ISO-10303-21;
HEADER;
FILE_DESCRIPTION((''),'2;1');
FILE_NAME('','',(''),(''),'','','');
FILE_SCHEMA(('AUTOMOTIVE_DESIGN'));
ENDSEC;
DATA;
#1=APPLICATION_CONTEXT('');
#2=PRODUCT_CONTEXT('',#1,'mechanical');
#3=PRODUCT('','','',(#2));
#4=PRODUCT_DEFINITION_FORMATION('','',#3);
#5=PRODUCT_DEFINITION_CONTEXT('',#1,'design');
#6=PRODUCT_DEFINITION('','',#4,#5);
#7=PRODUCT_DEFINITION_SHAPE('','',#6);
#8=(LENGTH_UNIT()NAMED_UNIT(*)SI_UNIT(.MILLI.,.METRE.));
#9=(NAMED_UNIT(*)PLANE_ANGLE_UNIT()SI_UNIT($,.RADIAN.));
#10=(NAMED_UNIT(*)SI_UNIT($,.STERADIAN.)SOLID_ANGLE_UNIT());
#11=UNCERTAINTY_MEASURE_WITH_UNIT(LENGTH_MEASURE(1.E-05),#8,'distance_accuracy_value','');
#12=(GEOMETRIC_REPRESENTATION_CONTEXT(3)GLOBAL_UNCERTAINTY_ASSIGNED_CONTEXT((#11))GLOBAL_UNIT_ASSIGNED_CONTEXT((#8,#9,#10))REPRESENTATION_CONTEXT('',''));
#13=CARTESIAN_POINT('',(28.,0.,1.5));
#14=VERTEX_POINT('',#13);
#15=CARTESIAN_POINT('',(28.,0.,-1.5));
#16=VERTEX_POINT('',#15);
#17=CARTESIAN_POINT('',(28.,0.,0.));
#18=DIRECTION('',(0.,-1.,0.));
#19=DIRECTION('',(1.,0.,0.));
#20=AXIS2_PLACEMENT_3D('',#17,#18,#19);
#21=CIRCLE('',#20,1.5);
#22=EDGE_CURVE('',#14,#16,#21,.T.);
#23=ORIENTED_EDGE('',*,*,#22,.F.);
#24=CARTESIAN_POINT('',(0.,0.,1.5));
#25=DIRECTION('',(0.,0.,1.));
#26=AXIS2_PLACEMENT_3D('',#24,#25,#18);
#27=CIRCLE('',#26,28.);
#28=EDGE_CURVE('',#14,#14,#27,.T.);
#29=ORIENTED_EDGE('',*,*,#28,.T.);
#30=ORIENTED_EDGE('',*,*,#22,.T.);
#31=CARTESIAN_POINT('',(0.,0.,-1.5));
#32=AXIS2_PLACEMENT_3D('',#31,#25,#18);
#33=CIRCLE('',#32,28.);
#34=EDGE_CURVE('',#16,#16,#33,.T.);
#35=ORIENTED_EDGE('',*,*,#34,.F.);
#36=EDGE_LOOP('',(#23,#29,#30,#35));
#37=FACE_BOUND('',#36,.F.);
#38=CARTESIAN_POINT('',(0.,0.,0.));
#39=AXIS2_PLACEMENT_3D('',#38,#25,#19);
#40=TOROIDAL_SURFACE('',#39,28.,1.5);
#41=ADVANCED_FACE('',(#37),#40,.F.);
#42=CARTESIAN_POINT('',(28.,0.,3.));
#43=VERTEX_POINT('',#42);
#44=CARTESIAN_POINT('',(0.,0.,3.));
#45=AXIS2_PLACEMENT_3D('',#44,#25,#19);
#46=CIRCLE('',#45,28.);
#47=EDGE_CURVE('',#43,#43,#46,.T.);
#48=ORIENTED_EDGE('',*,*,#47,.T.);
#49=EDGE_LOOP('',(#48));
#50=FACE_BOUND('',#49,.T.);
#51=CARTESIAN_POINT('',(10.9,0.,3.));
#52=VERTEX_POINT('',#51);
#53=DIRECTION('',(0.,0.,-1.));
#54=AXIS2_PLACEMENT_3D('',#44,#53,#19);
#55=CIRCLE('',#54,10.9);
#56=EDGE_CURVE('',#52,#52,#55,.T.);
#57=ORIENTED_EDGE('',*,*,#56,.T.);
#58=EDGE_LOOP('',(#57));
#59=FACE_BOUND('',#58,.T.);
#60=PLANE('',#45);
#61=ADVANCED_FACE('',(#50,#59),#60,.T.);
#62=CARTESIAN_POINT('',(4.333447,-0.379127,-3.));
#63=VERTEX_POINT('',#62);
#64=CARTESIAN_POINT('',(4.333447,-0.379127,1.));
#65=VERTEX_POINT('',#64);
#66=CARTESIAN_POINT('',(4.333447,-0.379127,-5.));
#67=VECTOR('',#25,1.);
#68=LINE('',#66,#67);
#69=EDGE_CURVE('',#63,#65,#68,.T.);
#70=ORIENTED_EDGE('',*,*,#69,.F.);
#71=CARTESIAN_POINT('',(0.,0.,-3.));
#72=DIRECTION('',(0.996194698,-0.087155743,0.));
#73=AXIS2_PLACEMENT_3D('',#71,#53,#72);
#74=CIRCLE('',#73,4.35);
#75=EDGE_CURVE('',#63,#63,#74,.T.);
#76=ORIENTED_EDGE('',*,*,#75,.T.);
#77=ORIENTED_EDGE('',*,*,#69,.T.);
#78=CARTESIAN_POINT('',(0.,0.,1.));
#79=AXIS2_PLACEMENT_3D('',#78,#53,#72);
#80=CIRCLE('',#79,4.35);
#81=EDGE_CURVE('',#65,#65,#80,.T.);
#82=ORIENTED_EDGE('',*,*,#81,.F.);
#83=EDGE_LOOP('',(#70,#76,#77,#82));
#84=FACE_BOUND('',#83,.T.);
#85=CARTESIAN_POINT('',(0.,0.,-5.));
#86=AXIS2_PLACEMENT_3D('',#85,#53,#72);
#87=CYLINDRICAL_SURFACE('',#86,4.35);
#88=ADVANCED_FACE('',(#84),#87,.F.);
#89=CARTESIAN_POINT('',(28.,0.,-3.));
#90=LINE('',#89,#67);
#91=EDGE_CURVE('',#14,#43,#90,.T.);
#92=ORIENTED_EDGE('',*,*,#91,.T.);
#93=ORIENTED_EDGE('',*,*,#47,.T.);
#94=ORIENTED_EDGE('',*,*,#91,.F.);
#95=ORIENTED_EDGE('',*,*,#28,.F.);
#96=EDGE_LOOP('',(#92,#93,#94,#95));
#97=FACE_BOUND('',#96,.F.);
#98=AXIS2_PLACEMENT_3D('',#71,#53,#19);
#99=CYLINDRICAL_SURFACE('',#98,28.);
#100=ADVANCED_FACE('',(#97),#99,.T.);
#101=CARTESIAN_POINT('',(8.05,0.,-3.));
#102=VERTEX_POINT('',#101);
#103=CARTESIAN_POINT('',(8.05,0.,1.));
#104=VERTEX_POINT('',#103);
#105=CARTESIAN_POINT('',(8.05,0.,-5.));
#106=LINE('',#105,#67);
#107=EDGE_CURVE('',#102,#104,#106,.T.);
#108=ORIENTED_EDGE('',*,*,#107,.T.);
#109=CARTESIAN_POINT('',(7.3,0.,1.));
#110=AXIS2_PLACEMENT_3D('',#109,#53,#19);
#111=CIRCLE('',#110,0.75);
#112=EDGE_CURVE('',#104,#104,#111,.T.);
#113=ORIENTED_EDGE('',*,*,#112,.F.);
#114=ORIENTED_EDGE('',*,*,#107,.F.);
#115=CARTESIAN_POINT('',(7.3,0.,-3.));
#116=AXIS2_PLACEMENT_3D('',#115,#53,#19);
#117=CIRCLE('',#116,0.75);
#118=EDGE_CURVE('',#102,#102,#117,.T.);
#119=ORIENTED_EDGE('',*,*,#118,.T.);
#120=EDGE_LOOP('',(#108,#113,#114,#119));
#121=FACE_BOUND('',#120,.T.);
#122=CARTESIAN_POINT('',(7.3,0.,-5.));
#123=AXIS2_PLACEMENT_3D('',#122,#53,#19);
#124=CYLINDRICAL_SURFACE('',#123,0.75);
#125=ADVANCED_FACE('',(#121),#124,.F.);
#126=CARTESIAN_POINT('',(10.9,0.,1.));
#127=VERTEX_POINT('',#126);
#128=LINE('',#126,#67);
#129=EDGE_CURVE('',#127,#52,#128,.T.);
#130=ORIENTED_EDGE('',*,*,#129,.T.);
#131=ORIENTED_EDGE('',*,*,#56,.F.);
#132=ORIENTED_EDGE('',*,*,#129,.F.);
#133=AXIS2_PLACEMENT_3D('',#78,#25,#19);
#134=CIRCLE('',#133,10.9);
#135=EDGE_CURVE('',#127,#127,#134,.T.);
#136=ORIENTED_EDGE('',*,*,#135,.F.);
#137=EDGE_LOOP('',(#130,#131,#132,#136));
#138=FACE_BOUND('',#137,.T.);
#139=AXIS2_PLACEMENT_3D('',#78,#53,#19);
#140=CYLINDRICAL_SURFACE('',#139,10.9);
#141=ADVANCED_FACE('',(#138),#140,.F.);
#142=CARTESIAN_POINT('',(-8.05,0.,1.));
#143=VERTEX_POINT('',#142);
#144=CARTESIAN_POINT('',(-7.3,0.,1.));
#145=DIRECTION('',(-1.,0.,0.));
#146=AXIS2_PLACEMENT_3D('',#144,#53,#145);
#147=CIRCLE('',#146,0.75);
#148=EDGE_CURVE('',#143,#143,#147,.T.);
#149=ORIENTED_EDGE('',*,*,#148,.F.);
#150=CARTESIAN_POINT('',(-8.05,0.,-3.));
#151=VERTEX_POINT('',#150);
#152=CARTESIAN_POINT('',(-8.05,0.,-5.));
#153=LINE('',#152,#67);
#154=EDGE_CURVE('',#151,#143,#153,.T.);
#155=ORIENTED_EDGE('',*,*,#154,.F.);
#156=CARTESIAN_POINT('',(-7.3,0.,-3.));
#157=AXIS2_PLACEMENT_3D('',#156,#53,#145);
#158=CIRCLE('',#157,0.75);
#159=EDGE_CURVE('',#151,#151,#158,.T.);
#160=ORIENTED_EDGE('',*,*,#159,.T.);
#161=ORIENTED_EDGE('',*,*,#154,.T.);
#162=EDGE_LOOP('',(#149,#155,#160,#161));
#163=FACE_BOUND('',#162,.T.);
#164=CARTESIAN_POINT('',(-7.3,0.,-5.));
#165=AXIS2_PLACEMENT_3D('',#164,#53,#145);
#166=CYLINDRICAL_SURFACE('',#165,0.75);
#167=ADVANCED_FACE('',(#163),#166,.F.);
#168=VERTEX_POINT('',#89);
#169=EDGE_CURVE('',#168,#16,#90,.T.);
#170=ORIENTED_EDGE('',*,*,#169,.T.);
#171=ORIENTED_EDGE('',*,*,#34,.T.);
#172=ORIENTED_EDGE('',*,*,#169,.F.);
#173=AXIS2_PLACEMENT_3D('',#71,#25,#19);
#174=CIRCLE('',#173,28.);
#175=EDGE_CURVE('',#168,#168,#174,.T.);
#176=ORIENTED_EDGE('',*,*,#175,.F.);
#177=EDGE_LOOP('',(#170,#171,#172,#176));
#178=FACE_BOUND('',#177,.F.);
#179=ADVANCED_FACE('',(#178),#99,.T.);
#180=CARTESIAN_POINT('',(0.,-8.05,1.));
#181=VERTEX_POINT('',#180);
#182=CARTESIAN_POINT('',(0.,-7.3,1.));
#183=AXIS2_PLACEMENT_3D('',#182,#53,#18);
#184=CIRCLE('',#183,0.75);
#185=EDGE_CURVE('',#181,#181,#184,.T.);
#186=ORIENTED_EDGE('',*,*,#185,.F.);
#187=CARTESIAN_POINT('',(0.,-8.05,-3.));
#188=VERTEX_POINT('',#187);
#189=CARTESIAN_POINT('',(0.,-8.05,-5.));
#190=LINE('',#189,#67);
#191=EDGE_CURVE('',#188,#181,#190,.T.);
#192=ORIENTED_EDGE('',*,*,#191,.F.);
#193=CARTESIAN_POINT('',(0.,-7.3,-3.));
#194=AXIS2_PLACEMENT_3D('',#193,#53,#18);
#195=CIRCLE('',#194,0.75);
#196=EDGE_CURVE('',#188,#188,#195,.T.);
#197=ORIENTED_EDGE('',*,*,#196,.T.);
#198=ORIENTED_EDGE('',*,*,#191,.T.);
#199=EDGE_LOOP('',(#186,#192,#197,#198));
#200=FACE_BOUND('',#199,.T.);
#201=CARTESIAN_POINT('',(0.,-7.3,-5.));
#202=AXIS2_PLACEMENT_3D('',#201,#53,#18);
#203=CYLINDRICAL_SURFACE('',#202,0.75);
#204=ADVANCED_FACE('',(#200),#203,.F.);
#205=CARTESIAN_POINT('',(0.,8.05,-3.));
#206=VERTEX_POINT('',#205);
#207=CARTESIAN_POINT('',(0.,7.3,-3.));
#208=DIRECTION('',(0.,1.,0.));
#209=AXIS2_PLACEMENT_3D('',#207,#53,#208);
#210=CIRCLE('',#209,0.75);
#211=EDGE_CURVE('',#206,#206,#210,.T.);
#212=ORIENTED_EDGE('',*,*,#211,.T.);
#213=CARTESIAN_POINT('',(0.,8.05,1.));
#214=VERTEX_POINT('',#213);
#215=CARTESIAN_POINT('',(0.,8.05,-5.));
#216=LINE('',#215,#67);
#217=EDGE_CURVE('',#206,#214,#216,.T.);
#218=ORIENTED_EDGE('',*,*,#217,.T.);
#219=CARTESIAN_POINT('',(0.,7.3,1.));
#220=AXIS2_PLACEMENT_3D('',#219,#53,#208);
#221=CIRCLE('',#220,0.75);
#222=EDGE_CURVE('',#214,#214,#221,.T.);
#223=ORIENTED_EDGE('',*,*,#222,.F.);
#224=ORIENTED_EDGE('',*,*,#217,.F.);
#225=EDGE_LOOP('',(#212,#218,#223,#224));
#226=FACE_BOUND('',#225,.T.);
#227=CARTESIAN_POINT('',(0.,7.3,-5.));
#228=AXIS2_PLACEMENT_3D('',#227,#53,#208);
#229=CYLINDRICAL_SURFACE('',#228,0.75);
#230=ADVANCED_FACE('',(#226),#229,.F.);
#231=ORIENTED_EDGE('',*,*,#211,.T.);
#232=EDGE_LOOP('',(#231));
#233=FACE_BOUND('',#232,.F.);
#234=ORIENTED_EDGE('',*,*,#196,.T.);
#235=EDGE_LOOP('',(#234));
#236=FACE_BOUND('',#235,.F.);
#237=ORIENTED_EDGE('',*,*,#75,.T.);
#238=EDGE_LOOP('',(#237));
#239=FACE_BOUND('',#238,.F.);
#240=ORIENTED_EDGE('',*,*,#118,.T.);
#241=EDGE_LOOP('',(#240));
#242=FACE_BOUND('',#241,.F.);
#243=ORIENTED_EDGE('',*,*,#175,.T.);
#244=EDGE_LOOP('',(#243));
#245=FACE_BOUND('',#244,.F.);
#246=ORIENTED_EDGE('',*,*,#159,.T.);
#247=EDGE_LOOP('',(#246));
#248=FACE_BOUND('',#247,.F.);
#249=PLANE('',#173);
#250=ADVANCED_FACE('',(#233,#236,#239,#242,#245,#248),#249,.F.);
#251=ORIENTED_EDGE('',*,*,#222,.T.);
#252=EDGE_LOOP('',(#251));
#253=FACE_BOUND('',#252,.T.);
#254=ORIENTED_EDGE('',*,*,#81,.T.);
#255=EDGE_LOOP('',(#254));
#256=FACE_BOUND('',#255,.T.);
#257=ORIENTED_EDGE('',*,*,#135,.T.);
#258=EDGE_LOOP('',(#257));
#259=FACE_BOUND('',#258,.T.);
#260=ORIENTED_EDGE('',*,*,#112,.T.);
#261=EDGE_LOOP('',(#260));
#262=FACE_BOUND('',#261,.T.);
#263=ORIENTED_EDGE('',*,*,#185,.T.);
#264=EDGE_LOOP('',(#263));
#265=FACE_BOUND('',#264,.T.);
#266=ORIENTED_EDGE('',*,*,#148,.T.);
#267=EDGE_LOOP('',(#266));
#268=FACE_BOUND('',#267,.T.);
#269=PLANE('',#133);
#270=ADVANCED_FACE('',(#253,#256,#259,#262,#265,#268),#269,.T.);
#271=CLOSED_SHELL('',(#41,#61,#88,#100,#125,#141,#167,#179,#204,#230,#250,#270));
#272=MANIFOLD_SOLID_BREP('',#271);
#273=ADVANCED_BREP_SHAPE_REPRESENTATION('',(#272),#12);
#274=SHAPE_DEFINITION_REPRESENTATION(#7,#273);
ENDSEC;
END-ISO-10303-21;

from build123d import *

# Parameters (mm, degrees)
CYLINDER003_R               = 0.75
CYLINDER003_DEPTH           = 10
ARRAY_COUNT                 = 4
CYLINDER002_R               = 4.35
CYLINDER002_DEPTH           = 10
CYLINDER002_PLACEMENT_ANGLE = 355
CYLINDER001_R               = 10.9
CYLINDER001_DEPTH           = 10
TORUS_R                     = 1.5
CYLINDER_R                  = 28
CYLINDER_DEPTH              = 6


with BuildPart() as array:
    # Cylinder003 → Cylinder003 (new body)
    with BuildSketch(Plane(origin=(7.3, 0, -5), x_dir=(1, 0, 0), z_dir=(0, 0, 1))):
        Circle(CYLINDER003_R)
    extrude(amount=CYLINDER003_DEPTH)

    # Array: Array ×4 about axis
    array_axis = Axis((0, 0, 0), (0, 0, 1))


with BuildPart() as array_1:
    add(array.part)
    for i in range(1, ARRAY_COUNT):
        add(array.part.rotate(array_axis, i * 360 / ARRAY_COUNT))


with BuildPart() as hueco_eje:
    # Cylinder002 → Cylinder002 (new body)
    with BuildSketch(Plane.XY):
        Circle(CYLINDER002_R)
    extrude(amount=CYLINDER002_DEPTH)


with BuildPart() as hueco_eje_1:
    # Cylinder002 placement: moved
    add(hueco_eje.part.moved(Location((0, 0, -5))).rotate(Axis((0, 0, -5), (0, 0, 1)), CYLINDER002_PLACEMENT_ANGLE))


with BuildPart() as cilindro:
    # Cylinder001 → Cylinder001 (new body)
    with BuildSketch(Plane.XY.offset(1)):
        Circle(CYLINDER001_R)
    extrude(amount=CYLINDER001_DEPTH)


with BuildPart() as hueco_torica:
    # Torus → Torus (revolve)
    with BuildSketch(Plane.XZ):
        with Locations((28, 0)):
            Circle(TORUS_R)
    revolve(axis=Axis((0, 0, 0), (0, 0, 1)))


with BuildPart() as rueda_miniskybot:
    # Cylinder → Cylinder (new body)
    with BuildSketch(Plane.XY.offset(-3)):
        Circle(CYLINDER_R)
    extrude(amount=CYLINDER_DEPTH)

    # Cut: cut hueco_torica
    add(hueco_torica.part, mode=Mode.SUBTRACT)

    # Cut001: cut Cilindro
    add(cilindro.part, mode=Mode.SUBTRACT)

    # Cut002: cut hueco_eje
    add(hueco_eje_1.part, mode=Mode.SUBTRACT)

    # Cut003: cut Array
    add(array_1.part, mode=Mode.SUBTRACT)


solid = rueda_miniskybot.part
